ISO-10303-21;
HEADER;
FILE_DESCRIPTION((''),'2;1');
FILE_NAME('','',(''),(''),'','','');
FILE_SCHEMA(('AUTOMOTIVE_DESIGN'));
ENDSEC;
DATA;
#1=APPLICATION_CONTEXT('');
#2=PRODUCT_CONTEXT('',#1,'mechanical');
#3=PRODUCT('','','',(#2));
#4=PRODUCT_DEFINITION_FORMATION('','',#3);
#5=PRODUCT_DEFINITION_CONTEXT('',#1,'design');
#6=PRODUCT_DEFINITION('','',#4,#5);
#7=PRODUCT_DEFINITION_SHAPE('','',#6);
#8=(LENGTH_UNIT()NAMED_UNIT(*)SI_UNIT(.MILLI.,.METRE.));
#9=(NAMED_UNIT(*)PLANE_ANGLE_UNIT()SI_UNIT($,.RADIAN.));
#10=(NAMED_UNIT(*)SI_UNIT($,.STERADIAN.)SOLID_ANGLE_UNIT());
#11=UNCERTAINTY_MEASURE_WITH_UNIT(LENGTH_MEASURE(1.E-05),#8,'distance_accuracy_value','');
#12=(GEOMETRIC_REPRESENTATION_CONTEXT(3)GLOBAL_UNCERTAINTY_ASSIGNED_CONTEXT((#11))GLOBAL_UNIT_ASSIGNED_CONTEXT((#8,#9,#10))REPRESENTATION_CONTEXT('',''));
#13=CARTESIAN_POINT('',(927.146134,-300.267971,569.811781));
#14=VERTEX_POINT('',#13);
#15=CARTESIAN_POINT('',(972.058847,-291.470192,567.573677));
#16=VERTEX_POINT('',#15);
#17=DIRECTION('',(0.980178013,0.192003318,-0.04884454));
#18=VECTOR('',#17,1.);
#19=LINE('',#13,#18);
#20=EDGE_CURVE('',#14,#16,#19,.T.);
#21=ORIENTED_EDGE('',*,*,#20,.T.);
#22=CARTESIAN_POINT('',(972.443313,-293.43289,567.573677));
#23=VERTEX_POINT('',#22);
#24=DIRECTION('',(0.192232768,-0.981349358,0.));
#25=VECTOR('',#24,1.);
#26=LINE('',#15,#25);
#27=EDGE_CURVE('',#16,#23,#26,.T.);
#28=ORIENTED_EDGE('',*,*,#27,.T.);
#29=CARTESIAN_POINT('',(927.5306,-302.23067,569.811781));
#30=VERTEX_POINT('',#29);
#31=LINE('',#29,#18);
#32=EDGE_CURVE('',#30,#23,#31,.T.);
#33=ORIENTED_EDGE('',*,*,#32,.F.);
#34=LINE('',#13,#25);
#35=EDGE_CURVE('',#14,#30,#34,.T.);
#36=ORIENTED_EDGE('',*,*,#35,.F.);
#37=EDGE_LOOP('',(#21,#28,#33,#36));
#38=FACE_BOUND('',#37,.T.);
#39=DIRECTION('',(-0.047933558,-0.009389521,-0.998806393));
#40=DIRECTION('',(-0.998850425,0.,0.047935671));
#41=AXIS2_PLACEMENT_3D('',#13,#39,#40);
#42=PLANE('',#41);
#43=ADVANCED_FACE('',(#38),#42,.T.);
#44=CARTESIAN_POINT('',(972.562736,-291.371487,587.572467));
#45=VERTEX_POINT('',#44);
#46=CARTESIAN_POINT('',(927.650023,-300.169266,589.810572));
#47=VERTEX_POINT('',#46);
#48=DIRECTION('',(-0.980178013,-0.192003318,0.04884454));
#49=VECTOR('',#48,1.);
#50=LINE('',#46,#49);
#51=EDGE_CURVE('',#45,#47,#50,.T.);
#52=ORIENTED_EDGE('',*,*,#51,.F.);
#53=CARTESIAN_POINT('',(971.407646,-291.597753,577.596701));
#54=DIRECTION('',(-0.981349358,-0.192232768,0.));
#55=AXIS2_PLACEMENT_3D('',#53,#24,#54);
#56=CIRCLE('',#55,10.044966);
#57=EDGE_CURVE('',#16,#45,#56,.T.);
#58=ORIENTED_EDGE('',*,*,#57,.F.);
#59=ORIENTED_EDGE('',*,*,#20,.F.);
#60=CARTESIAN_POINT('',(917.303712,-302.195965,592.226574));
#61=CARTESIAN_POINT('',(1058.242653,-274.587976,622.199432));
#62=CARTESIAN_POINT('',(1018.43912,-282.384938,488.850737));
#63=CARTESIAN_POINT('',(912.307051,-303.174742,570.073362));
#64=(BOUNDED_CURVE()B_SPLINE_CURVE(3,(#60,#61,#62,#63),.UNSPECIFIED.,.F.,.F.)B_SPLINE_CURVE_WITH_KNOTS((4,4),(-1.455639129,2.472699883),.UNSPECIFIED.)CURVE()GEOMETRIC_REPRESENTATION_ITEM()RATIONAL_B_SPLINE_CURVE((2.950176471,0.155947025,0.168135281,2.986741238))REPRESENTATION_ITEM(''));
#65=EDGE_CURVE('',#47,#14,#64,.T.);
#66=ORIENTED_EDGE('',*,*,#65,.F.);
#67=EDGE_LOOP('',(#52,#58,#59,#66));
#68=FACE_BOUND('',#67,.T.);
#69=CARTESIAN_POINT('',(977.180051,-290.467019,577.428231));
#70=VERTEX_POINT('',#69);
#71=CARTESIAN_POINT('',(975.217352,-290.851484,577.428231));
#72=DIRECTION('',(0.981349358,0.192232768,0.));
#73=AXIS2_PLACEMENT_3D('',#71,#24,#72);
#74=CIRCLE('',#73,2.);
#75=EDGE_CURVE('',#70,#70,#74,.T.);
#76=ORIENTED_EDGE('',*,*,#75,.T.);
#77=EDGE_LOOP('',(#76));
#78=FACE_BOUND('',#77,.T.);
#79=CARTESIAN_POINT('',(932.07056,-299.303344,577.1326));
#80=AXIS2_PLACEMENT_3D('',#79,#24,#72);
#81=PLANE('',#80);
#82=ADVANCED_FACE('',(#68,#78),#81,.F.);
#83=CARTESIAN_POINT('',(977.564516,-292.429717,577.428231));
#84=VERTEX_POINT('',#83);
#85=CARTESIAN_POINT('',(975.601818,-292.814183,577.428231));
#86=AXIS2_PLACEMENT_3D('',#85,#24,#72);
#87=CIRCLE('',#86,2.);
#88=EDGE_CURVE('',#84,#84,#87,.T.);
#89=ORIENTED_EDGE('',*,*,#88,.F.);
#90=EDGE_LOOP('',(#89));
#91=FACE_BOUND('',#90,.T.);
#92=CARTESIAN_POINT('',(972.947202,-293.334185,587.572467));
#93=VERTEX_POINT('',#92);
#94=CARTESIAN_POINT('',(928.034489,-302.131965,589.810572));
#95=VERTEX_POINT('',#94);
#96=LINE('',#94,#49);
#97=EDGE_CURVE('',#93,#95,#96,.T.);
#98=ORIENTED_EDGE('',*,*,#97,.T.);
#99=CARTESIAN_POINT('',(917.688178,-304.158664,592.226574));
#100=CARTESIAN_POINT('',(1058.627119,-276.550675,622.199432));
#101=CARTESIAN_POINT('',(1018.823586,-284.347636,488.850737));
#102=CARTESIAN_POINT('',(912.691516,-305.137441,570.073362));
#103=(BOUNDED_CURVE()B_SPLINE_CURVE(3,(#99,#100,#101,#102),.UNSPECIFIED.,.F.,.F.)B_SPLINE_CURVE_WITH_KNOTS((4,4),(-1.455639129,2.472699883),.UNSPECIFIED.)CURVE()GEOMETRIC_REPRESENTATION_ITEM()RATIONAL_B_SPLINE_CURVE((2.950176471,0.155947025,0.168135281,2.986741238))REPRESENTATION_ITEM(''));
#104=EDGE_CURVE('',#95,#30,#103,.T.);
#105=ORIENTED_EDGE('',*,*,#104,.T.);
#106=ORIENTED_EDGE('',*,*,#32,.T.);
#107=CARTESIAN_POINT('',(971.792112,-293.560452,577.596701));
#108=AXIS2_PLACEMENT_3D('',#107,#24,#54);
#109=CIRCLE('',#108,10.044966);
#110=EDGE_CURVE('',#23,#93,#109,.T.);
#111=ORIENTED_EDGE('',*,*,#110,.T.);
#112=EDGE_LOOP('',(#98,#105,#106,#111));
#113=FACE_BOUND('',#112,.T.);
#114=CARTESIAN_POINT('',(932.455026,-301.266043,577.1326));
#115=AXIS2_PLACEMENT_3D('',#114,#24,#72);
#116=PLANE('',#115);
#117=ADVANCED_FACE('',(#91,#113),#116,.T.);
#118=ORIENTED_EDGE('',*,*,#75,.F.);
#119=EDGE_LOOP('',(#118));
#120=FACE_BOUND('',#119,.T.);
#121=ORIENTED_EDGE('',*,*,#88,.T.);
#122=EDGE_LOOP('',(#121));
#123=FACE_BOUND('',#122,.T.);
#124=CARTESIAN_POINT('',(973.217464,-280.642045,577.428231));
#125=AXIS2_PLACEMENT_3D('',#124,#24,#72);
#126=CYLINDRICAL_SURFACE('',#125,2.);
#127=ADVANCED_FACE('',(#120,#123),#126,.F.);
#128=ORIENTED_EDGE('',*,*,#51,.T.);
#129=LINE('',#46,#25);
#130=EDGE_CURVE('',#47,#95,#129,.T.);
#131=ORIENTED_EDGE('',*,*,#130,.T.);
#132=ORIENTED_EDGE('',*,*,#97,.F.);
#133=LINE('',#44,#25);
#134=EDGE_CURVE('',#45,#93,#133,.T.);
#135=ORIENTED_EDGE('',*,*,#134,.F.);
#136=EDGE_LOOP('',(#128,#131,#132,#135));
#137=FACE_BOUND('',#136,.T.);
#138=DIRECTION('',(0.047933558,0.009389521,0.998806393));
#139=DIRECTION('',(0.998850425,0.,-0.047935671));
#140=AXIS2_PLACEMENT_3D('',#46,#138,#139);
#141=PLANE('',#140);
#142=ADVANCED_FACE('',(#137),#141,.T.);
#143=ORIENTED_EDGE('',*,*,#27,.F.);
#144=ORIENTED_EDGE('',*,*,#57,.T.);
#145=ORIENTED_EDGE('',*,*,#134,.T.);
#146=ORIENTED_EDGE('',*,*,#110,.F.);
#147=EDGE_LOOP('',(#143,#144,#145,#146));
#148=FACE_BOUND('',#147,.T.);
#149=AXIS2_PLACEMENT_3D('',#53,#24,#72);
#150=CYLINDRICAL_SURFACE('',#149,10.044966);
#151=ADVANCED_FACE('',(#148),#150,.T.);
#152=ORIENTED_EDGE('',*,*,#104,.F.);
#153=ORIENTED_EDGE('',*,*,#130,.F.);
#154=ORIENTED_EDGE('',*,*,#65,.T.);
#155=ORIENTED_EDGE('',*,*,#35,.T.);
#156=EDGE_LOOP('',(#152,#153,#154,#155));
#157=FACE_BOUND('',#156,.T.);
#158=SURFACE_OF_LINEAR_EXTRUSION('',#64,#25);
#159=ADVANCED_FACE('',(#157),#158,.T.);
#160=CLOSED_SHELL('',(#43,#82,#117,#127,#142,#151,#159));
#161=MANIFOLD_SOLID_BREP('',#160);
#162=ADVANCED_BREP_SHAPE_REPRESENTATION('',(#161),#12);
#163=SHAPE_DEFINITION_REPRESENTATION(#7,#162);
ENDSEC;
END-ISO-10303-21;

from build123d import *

# Parameters (mm, degrees)
DODANIE_WYCI_GNI_CIE1_DEPTH      = 1.5
DODANIE_WYCI_GNI_CIE1_DEPTH_BACK = 0.5
SZKIC2_R                         = 2
WYTNIJ_WYCI_GNI_CIE1_DEPTH       = 13.403470929


with BuildPart() as part:
    # Szkic1 → Dodanie-wyciągnięcie1 (new body, two sides)
    with BuildSketch(Plane(origin=(91.00215608, -464.566516042, 0), x_dir=(-0.981349358, -0.192232768, 0), z_dir=(0.192232768, -0.981349358, 0))) as dodanie_wyci_gni_cie1_sk:
        with BuildLine():
            Line((-852.646385939, -589.810571865), (-898.412669563, -587.572467385))
            ThreePointArc((-898.412669563, -587.572467385), (-907.277284225, -577.338883089), (-897.89920424, -567.573676668))
            Line((-897.89920424, -567.573676668), (-852.132920616, -569.811781148))
            add(Edge.make_bspline(
                [(-852.646385939, -589.810571865), (-859.599431487, -584.423041675), (-860.017825744, -575.312195542), (-852.132920616, -569.811781148)],
                knots=[-0.289090194, -0.289090194, -0.289090194, -0.289090194, 0.984325659, 0.984325659, 0.984325659, 0.984325659], degree=3, weights=[1.203316353, 0.837838315, 0.76726036, 0.991582488]))
        make_face()
    extrude(amount=DODANIE_WYCI_GNI_CIE1_DEPTH)
    extrude(dodanie_wyci_gni_cie1_sk.sketch, amount=-DODANIE_WYCI_GNI_CIE1_DEPTH_BACK)

    # Szkic2 → Wytnij-wyciągnięcie1 (cut, through all)
    with BuildSketch(Plane(origin=(91.290505232, -466.038540079, 0), x_dir=(-0.981349358, -0.192232768, 0), z_dir=(0.192232768, -0.981349358, 0))):
        with Locations((-901.117736464, -577.428231407)):
            Circle(SZKIC2_R)
    extrude(amount=-WYTNIJ_WYCI_GNI_CIE1_DEPTH, mode=Mode.SUBTRACT)


solid = part.part
